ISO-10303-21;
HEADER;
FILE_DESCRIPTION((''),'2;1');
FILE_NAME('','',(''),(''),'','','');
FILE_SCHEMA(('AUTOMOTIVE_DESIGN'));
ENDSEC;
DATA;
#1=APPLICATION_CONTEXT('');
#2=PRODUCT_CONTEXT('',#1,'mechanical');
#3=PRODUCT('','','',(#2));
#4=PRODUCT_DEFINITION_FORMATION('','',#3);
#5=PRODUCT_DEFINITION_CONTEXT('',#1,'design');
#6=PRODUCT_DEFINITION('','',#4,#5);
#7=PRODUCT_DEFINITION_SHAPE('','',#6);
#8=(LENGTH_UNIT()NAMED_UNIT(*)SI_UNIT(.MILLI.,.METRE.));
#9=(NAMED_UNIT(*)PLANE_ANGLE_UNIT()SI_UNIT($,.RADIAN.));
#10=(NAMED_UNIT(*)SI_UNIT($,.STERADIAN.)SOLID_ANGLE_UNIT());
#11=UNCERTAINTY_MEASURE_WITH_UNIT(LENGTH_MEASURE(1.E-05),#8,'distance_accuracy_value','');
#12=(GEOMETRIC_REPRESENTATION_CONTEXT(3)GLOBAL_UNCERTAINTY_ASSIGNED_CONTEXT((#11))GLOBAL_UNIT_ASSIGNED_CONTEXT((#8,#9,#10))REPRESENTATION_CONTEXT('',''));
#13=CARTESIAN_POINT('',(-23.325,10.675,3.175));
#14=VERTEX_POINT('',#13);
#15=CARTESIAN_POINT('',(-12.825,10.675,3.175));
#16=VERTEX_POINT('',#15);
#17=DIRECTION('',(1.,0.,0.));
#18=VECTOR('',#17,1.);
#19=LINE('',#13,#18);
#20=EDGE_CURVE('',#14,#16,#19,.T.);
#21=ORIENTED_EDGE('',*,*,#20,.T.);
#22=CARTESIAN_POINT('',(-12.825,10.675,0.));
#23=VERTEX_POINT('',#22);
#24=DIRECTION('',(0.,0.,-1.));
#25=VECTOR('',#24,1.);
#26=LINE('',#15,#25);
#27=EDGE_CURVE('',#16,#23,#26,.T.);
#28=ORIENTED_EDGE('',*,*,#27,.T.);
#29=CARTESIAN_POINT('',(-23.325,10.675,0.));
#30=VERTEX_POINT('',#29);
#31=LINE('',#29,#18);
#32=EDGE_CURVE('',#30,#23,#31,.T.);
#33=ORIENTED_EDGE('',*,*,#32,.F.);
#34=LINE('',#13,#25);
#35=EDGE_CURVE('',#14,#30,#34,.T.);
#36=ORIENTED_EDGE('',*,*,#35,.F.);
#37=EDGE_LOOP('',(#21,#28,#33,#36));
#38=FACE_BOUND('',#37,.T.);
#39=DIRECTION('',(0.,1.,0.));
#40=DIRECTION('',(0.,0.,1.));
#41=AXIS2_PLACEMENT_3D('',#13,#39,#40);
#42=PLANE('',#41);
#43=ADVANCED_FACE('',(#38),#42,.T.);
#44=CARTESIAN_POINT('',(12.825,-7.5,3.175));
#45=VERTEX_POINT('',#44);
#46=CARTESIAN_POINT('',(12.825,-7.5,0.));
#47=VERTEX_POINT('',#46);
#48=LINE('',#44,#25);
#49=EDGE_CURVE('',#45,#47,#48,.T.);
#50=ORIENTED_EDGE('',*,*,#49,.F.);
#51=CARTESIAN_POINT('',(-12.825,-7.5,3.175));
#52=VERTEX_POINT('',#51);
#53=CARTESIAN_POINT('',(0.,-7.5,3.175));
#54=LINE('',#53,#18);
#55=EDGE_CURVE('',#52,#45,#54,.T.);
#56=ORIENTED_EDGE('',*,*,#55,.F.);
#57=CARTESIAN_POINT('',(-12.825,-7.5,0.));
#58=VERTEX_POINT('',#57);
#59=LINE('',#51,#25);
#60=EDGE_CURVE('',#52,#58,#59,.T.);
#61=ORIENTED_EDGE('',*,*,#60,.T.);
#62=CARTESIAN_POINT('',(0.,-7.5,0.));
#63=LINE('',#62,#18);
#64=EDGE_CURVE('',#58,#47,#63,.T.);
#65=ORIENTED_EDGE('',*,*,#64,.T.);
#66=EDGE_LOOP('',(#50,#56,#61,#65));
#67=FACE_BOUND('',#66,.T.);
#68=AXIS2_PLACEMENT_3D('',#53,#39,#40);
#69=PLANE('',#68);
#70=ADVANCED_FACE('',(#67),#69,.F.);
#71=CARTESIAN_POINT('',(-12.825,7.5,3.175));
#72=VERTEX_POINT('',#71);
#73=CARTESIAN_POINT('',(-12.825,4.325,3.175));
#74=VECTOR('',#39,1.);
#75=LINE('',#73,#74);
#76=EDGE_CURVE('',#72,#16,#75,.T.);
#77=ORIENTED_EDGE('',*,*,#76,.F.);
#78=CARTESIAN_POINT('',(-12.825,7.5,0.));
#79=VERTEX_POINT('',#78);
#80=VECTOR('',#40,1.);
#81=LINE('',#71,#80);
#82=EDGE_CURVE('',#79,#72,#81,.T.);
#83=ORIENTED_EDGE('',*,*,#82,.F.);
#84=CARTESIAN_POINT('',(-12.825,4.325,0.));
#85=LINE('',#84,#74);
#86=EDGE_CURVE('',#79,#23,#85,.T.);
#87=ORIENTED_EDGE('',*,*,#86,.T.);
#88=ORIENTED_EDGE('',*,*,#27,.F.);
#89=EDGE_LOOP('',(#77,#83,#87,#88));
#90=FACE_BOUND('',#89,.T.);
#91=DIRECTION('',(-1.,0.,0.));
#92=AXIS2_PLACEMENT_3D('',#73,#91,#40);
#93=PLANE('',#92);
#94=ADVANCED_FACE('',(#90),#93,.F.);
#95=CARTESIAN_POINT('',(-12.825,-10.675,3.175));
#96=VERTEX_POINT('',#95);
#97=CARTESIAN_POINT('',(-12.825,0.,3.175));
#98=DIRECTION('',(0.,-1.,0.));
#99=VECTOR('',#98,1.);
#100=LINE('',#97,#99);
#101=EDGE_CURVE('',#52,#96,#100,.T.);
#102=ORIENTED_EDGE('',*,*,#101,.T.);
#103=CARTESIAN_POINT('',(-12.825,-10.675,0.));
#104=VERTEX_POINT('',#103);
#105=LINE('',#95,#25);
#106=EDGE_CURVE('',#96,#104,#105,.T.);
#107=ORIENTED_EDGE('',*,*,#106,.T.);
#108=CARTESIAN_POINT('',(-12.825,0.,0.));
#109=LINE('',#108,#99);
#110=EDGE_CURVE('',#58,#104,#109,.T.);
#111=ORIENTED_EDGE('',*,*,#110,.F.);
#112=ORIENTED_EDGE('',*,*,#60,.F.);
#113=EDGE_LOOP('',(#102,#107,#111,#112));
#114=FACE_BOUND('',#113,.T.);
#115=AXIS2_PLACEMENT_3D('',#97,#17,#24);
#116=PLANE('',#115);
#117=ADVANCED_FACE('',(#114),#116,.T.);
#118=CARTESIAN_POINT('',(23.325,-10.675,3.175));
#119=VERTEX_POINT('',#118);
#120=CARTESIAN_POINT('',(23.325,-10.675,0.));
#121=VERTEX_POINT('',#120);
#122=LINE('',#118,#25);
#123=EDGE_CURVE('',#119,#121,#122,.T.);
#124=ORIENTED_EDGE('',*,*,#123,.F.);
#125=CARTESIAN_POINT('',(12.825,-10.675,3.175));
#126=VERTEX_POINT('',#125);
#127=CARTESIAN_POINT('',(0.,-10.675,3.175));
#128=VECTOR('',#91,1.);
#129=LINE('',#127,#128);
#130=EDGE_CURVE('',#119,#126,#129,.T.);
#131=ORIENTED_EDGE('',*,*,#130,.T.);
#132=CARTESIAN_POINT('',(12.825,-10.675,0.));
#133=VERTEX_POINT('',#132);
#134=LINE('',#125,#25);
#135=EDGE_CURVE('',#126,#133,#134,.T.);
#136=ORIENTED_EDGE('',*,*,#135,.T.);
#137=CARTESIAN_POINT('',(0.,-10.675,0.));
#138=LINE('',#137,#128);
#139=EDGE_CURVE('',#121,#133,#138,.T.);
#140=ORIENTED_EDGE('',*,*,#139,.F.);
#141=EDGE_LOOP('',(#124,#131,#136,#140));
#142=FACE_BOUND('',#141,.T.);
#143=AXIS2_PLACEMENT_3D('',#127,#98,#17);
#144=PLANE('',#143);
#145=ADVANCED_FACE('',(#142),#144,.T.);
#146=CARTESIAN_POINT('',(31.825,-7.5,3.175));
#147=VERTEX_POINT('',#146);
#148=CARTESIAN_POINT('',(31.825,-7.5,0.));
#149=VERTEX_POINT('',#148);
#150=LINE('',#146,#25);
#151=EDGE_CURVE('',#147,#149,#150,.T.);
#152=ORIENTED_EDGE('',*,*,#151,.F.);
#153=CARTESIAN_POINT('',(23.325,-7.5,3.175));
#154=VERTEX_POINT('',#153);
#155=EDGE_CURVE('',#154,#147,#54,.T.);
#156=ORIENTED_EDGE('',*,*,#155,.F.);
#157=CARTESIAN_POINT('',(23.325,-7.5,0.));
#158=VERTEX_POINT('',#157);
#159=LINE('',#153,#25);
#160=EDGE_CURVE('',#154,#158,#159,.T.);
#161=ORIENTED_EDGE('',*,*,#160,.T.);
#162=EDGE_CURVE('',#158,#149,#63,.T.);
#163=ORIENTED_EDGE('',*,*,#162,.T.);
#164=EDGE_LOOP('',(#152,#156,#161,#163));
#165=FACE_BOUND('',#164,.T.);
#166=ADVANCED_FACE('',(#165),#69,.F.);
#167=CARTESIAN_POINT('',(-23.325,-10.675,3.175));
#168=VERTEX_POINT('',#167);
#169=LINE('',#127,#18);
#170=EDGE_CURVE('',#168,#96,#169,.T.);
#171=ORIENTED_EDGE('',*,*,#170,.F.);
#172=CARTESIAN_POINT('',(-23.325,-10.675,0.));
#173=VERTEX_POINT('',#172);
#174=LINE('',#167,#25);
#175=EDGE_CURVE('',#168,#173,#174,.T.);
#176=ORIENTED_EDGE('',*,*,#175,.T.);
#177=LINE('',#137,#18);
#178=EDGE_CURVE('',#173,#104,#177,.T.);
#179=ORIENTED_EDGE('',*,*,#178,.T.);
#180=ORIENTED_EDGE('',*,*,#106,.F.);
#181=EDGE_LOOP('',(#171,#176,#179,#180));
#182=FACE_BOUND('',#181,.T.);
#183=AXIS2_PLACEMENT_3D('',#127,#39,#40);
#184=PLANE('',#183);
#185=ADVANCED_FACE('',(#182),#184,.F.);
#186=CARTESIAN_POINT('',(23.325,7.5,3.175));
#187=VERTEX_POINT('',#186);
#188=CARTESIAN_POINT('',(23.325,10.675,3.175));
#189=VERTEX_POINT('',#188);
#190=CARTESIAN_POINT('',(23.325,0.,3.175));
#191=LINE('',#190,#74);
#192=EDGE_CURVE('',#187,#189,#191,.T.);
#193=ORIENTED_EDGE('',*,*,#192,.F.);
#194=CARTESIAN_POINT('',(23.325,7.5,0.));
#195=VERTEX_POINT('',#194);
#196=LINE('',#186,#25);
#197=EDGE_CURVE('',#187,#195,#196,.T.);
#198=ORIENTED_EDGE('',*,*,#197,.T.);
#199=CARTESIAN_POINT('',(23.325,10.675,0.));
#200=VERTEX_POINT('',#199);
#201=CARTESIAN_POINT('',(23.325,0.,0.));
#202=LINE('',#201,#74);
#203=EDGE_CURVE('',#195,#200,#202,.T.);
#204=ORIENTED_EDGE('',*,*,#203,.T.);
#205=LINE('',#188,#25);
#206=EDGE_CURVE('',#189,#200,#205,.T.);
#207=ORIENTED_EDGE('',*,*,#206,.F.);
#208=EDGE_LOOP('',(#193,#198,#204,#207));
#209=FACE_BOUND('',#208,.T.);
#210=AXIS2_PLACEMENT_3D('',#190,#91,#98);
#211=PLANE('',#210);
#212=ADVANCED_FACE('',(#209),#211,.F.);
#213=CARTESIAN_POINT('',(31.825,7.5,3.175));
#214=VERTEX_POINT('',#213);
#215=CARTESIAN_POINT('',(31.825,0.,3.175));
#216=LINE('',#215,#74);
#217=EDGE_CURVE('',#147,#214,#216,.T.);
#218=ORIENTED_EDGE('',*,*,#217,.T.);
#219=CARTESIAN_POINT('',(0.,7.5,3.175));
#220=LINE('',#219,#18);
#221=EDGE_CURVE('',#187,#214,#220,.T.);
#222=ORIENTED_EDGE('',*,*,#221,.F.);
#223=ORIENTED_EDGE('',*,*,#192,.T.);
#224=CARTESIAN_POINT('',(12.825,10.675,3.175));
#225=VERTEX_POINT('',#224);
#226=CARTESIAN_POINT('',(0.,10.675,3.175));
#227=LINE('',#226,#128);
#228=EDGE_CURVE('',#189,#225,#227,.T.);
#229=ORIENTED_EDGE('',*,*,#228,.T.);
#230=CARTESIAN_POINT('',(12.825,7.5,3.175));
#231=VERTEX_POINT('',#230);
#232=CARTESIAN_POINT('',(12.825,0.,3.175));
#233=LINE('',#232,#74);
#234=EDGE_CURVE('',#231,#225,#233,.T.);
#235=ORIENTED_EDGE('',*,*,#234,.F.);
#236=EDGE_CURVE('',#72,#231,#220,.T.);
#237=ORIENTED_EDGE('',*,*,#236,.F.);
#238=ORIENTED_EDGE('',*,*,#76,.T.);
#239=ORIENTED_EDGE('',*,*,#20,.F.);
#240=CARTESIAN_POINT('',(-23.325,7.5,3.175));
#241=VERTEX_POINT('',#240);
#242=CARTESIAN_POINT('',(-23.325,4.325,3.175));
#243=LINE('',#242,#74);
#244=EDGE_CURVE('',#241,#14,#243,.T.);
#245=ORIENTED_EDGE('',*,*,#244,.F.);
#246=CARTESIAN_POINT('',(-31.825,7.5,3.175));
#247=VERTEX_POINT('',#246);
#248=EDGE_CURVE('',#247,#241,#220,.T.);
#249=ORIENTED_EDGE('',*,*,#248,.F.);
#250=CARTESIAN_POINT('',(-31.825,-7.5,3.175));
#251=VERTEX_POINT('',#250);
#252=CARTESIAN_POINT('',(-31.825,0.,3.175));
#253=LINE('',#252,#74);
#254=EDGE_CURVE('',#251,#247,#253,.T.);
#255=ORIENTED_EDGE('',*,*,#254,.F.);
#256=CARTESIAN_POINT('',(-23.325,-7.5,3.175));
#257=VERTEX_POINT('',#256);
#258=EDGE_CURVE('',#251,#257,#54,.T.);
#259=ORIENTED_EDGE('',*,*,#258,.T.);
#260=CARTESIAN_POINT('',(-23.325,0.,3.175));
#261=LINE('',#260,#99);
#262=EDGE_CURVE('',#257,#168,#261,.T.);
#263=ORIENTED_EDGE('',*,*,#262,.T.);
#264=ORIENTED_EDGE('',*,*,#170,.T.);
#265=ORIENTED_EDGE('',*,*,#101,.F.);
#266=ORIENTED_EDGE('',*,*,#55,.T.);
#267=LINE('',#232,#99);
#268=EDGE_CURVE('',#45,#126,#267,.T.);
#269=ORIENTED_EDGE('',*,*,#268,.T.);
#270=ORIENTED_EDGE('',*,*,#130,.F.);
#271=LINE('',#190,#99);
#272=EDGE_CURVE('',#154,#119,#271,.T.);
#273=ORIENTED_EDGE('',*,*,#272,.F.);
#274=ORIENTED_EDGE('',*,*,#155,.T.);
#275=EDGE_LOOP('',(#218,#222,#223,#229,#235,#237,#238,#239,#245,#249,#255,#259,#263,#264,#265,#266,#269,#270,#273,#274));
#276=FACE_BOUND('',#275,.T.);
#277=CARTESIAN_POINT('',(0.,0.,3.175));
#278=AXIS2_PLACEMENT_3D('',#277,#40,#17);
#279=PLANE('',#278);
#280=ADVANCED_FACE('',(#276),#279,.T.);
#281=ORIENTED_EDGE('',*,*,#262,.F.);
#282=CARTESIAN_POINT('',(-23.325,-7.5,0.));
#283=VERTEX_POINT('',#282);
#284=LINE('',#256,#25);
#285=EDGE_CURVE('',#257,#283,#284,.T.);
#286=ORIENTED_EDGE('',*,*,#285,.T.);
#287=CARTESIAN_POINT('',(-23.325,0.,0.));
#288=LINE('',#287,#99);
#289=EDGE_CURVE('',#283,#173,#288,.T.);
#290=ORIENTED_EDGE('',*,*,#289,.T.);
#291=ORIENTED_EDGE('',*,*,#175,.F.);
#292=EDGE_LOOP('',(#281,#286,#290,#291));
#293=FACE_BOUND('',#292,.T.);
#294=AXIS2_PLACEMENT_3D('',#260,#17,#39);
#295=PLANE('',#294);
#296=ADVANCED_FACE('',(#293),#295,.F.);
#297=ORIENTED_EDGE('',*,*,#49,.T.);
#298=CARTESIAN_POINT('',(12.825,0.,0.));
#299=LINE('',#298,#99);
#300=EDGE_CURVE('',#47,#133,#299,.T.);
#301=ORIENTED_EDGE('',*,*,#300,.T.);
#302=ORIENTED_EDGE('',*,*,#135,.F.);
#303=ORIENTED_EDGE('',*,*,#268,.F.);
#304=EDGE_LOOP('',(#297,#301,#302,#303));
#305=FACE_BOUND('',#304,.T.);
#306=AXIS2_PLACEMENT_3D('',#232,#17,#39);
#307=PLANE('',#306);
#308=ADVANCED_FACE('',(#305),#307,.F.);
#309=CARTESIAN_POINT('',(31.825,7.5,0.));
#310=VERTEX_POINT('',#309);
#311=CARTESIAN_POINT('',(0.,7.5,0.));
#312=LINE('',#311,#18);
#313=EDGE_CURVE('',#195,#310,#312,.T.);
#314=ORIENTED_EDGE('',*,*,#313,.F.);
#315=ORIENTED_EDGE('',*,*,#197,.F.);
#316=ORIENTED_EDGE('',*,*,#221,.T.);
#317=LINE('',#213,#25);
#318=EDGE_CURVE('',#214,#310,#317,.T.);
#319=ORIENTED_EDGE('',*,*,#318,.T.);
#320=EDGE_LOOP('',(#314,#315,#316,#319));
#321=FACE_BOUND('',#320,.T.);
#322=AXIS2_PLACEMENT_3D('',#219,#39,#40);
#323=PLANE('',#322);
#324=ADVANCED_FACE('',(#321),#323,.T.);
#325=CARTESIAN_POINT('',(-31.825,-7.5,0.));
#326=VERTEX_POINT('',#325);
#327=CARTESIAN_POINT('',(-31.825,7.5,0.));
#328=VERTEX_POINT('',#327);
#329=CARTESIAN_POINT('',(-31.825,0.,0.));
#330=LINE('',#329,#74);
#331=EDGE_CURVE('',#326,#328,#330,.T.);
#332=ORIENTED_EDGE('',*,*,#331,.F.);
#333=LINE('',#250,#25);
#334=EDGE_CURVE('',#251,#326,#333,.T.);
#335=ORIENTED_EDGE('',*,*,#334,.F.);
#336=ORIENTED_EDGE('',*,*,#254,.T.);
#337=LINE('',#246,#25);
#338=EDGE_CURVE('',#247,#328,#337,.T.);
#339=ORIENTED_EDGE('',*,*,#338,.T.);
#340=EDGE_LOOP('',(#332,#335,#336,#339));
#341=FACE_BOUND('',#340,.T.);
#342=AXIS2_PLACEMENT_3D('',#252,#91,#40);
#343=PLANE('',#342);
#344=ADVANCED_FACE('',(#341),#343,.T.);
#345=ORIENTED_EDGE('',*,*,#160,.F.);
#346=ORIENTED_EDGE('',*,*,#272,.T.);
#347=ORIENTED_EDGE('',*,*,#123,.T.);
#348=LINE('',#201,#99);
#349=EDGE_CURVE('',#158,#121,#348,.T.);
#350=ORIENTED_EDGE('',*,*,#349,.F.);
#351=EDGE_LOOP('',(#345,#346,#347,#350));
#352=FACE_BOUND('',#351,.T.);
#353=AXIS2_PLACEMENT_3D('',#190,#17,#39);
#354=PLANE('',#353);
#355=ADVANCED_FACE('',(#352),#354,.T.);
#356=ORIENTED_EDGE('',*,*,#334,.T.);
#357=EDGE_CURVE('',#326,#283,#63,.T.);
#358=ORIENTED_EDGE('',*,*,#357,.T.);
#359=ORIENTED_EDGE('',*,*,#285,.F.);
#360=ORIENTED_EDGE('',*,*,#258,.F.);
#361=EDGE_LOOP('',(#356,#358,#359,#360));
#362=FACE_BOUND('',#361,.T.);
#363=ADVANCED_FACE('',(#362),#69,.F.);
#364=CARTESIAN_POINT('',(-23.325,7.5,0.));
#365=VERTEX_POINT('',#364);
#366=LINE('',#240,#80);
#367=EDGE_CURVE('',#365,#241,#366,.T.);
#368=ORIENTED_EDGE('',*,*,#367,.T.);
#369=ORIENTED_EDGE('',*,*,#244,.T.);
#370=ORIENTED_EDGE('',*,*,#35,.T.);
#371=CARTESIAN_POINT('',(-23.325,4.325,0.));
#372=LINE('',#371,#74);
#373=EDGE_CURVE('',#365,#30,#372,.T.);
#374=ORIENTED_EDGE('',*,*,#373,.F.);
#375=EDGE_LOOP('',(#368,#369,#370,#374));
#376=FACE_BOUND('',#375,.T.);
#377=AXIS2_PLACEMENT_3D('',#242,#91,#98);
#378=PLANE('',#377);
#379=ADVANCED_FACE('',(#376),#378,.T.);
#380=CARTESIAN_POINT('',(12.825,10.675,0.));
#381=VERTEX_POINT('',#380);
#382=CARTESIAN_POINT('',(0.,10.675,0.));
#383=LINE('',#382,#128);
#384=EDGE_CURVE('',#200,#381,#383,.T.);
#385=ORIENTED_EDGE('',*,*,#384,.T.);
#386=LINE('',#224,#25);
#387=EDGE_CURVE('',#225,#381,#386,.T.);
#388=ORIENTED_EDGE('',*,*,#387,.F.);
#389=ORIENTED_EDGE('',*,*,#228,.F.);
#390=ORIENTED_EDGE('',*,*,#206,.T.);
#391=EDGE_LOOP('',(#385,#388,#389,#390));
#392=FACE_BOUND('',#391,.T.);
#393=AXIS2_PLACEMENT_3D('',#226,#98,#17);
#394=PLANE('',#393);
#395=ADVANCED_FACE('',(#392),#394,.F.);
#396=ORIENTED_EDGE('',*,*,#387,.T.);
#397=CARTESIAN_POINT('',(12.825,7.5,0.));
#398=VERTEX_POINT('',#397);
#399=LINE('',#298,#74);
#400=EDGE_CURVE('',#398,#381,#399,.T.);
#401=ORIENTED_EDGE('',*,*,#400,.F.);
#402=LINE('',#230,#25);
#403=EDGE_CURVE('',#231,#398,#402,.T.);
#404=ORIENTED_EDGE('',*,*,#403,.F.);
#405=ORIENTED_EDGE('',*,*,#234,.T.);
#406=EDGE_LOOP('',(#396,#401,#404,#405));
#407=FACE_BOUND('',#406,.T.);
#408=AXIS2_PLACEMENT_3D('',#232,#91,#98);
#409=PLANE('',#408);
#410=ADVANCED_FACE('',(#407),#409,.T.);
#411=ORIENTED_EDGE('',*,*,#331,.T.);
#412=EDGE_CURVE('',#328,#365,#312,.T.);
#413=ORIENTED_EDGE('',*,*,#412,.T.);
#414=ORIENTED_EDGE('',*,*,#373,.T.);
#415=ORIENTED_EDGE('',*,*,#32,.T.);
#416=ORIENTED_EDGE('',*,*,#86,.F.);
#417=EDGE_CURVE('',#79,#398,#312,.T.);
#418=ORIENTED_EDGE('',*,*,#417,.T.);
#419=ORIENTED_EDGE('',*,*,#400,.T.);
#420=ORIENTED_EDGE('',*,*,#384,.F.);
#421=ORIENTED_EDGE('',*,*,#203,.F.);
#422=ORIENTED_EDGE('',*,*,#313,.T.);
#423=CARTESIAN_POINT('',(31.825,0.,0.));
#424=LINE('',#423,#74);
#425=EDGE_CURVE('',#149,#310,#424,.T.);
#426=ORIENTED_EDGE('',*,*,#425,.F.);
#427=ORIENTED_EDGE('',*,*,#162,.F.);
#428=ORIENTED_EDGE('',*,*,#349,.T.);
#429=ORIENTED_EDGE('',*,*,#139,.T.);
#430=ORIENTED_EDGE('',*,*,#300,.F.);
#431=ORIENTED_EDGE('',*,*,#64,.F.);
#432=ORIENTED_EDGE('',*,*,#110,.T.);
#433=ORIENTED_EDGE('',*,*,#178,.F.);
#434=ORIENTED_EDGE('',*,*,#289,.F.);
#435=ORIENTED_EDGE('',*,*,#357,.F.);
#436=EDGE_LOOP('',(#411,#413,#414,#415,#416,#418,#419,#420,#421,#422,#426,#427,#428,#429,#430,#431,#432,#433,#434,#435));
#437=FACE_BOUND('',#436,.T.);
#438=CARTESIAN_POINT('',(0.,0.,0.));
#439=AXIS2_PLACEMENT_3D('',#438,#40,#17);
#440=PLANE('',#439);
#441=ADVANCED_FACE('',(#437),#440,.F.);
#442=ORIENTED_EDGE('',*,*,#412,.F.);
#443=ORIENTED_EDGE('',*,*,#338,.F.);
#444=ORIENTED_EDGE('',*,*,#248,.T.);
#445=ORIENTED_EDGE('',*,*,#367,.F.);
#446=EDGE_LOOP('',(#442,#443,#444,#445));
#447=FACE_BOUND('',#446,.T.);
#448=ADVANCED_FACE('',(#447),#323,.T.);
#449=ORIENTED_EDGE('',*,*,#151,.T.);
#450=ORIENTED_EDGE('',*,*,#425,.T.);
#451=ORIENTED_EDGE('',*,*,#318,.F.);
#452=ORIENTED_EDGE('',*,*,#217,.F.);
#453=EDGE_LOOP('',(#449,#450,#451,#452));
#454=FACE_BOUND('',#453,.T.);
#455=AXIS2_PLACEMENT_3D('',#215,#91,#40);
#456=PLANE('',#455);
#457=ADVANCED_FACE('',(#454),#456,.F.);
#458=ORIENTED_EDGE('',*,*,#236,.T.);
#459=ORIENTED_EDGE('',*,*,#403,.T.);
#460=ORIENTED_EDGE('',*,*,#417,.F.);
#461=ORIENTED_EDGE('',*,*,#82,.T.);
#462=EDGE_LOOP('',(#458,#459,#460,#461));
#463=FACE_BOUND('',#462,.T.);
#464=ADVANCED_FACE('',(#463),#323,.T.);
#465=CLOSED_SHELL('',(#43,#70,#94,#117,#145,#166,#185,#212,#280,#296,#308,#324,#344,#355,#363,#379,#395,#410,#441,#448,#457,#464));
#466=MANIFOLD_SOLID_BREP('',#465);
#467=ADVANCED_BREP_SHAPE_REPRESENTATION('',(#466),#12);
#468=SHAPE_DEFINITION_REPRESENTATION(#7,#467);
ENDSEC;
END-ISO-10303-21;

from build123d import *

# Parameters (mm, degrees)
BOSS_EXTRUDE1_DEPTH = 3.175


with BuildPart() as part:
    # Sketch1 → Boss-Extrude1 (new body)
    with BuildSketch(Plane.XY):
        Polygon((-31.825, 7.5), (-31.825, -7.5), (-23.325, -7.5), (-23.325, -10.675), (-12.825, -10.675), (-12.825, -7.5), (12.825, -7.5), (12.825, -10.675), (23.325, -10.675), (23.325, -7.5), (31.825, -7.5), (31.825, 7.5), (23.325, 7.5), (23.325, 10.675), (12.825, 10.675), (12.825, 7.5), (-12.825, 7.5), (-12.825, 10.675), (-23.325, 10.675), (-23.325, 7.5), align=None)
    extrude(amount=BOSS_EXTRUDE1_DEPTH)


solid = part.part
